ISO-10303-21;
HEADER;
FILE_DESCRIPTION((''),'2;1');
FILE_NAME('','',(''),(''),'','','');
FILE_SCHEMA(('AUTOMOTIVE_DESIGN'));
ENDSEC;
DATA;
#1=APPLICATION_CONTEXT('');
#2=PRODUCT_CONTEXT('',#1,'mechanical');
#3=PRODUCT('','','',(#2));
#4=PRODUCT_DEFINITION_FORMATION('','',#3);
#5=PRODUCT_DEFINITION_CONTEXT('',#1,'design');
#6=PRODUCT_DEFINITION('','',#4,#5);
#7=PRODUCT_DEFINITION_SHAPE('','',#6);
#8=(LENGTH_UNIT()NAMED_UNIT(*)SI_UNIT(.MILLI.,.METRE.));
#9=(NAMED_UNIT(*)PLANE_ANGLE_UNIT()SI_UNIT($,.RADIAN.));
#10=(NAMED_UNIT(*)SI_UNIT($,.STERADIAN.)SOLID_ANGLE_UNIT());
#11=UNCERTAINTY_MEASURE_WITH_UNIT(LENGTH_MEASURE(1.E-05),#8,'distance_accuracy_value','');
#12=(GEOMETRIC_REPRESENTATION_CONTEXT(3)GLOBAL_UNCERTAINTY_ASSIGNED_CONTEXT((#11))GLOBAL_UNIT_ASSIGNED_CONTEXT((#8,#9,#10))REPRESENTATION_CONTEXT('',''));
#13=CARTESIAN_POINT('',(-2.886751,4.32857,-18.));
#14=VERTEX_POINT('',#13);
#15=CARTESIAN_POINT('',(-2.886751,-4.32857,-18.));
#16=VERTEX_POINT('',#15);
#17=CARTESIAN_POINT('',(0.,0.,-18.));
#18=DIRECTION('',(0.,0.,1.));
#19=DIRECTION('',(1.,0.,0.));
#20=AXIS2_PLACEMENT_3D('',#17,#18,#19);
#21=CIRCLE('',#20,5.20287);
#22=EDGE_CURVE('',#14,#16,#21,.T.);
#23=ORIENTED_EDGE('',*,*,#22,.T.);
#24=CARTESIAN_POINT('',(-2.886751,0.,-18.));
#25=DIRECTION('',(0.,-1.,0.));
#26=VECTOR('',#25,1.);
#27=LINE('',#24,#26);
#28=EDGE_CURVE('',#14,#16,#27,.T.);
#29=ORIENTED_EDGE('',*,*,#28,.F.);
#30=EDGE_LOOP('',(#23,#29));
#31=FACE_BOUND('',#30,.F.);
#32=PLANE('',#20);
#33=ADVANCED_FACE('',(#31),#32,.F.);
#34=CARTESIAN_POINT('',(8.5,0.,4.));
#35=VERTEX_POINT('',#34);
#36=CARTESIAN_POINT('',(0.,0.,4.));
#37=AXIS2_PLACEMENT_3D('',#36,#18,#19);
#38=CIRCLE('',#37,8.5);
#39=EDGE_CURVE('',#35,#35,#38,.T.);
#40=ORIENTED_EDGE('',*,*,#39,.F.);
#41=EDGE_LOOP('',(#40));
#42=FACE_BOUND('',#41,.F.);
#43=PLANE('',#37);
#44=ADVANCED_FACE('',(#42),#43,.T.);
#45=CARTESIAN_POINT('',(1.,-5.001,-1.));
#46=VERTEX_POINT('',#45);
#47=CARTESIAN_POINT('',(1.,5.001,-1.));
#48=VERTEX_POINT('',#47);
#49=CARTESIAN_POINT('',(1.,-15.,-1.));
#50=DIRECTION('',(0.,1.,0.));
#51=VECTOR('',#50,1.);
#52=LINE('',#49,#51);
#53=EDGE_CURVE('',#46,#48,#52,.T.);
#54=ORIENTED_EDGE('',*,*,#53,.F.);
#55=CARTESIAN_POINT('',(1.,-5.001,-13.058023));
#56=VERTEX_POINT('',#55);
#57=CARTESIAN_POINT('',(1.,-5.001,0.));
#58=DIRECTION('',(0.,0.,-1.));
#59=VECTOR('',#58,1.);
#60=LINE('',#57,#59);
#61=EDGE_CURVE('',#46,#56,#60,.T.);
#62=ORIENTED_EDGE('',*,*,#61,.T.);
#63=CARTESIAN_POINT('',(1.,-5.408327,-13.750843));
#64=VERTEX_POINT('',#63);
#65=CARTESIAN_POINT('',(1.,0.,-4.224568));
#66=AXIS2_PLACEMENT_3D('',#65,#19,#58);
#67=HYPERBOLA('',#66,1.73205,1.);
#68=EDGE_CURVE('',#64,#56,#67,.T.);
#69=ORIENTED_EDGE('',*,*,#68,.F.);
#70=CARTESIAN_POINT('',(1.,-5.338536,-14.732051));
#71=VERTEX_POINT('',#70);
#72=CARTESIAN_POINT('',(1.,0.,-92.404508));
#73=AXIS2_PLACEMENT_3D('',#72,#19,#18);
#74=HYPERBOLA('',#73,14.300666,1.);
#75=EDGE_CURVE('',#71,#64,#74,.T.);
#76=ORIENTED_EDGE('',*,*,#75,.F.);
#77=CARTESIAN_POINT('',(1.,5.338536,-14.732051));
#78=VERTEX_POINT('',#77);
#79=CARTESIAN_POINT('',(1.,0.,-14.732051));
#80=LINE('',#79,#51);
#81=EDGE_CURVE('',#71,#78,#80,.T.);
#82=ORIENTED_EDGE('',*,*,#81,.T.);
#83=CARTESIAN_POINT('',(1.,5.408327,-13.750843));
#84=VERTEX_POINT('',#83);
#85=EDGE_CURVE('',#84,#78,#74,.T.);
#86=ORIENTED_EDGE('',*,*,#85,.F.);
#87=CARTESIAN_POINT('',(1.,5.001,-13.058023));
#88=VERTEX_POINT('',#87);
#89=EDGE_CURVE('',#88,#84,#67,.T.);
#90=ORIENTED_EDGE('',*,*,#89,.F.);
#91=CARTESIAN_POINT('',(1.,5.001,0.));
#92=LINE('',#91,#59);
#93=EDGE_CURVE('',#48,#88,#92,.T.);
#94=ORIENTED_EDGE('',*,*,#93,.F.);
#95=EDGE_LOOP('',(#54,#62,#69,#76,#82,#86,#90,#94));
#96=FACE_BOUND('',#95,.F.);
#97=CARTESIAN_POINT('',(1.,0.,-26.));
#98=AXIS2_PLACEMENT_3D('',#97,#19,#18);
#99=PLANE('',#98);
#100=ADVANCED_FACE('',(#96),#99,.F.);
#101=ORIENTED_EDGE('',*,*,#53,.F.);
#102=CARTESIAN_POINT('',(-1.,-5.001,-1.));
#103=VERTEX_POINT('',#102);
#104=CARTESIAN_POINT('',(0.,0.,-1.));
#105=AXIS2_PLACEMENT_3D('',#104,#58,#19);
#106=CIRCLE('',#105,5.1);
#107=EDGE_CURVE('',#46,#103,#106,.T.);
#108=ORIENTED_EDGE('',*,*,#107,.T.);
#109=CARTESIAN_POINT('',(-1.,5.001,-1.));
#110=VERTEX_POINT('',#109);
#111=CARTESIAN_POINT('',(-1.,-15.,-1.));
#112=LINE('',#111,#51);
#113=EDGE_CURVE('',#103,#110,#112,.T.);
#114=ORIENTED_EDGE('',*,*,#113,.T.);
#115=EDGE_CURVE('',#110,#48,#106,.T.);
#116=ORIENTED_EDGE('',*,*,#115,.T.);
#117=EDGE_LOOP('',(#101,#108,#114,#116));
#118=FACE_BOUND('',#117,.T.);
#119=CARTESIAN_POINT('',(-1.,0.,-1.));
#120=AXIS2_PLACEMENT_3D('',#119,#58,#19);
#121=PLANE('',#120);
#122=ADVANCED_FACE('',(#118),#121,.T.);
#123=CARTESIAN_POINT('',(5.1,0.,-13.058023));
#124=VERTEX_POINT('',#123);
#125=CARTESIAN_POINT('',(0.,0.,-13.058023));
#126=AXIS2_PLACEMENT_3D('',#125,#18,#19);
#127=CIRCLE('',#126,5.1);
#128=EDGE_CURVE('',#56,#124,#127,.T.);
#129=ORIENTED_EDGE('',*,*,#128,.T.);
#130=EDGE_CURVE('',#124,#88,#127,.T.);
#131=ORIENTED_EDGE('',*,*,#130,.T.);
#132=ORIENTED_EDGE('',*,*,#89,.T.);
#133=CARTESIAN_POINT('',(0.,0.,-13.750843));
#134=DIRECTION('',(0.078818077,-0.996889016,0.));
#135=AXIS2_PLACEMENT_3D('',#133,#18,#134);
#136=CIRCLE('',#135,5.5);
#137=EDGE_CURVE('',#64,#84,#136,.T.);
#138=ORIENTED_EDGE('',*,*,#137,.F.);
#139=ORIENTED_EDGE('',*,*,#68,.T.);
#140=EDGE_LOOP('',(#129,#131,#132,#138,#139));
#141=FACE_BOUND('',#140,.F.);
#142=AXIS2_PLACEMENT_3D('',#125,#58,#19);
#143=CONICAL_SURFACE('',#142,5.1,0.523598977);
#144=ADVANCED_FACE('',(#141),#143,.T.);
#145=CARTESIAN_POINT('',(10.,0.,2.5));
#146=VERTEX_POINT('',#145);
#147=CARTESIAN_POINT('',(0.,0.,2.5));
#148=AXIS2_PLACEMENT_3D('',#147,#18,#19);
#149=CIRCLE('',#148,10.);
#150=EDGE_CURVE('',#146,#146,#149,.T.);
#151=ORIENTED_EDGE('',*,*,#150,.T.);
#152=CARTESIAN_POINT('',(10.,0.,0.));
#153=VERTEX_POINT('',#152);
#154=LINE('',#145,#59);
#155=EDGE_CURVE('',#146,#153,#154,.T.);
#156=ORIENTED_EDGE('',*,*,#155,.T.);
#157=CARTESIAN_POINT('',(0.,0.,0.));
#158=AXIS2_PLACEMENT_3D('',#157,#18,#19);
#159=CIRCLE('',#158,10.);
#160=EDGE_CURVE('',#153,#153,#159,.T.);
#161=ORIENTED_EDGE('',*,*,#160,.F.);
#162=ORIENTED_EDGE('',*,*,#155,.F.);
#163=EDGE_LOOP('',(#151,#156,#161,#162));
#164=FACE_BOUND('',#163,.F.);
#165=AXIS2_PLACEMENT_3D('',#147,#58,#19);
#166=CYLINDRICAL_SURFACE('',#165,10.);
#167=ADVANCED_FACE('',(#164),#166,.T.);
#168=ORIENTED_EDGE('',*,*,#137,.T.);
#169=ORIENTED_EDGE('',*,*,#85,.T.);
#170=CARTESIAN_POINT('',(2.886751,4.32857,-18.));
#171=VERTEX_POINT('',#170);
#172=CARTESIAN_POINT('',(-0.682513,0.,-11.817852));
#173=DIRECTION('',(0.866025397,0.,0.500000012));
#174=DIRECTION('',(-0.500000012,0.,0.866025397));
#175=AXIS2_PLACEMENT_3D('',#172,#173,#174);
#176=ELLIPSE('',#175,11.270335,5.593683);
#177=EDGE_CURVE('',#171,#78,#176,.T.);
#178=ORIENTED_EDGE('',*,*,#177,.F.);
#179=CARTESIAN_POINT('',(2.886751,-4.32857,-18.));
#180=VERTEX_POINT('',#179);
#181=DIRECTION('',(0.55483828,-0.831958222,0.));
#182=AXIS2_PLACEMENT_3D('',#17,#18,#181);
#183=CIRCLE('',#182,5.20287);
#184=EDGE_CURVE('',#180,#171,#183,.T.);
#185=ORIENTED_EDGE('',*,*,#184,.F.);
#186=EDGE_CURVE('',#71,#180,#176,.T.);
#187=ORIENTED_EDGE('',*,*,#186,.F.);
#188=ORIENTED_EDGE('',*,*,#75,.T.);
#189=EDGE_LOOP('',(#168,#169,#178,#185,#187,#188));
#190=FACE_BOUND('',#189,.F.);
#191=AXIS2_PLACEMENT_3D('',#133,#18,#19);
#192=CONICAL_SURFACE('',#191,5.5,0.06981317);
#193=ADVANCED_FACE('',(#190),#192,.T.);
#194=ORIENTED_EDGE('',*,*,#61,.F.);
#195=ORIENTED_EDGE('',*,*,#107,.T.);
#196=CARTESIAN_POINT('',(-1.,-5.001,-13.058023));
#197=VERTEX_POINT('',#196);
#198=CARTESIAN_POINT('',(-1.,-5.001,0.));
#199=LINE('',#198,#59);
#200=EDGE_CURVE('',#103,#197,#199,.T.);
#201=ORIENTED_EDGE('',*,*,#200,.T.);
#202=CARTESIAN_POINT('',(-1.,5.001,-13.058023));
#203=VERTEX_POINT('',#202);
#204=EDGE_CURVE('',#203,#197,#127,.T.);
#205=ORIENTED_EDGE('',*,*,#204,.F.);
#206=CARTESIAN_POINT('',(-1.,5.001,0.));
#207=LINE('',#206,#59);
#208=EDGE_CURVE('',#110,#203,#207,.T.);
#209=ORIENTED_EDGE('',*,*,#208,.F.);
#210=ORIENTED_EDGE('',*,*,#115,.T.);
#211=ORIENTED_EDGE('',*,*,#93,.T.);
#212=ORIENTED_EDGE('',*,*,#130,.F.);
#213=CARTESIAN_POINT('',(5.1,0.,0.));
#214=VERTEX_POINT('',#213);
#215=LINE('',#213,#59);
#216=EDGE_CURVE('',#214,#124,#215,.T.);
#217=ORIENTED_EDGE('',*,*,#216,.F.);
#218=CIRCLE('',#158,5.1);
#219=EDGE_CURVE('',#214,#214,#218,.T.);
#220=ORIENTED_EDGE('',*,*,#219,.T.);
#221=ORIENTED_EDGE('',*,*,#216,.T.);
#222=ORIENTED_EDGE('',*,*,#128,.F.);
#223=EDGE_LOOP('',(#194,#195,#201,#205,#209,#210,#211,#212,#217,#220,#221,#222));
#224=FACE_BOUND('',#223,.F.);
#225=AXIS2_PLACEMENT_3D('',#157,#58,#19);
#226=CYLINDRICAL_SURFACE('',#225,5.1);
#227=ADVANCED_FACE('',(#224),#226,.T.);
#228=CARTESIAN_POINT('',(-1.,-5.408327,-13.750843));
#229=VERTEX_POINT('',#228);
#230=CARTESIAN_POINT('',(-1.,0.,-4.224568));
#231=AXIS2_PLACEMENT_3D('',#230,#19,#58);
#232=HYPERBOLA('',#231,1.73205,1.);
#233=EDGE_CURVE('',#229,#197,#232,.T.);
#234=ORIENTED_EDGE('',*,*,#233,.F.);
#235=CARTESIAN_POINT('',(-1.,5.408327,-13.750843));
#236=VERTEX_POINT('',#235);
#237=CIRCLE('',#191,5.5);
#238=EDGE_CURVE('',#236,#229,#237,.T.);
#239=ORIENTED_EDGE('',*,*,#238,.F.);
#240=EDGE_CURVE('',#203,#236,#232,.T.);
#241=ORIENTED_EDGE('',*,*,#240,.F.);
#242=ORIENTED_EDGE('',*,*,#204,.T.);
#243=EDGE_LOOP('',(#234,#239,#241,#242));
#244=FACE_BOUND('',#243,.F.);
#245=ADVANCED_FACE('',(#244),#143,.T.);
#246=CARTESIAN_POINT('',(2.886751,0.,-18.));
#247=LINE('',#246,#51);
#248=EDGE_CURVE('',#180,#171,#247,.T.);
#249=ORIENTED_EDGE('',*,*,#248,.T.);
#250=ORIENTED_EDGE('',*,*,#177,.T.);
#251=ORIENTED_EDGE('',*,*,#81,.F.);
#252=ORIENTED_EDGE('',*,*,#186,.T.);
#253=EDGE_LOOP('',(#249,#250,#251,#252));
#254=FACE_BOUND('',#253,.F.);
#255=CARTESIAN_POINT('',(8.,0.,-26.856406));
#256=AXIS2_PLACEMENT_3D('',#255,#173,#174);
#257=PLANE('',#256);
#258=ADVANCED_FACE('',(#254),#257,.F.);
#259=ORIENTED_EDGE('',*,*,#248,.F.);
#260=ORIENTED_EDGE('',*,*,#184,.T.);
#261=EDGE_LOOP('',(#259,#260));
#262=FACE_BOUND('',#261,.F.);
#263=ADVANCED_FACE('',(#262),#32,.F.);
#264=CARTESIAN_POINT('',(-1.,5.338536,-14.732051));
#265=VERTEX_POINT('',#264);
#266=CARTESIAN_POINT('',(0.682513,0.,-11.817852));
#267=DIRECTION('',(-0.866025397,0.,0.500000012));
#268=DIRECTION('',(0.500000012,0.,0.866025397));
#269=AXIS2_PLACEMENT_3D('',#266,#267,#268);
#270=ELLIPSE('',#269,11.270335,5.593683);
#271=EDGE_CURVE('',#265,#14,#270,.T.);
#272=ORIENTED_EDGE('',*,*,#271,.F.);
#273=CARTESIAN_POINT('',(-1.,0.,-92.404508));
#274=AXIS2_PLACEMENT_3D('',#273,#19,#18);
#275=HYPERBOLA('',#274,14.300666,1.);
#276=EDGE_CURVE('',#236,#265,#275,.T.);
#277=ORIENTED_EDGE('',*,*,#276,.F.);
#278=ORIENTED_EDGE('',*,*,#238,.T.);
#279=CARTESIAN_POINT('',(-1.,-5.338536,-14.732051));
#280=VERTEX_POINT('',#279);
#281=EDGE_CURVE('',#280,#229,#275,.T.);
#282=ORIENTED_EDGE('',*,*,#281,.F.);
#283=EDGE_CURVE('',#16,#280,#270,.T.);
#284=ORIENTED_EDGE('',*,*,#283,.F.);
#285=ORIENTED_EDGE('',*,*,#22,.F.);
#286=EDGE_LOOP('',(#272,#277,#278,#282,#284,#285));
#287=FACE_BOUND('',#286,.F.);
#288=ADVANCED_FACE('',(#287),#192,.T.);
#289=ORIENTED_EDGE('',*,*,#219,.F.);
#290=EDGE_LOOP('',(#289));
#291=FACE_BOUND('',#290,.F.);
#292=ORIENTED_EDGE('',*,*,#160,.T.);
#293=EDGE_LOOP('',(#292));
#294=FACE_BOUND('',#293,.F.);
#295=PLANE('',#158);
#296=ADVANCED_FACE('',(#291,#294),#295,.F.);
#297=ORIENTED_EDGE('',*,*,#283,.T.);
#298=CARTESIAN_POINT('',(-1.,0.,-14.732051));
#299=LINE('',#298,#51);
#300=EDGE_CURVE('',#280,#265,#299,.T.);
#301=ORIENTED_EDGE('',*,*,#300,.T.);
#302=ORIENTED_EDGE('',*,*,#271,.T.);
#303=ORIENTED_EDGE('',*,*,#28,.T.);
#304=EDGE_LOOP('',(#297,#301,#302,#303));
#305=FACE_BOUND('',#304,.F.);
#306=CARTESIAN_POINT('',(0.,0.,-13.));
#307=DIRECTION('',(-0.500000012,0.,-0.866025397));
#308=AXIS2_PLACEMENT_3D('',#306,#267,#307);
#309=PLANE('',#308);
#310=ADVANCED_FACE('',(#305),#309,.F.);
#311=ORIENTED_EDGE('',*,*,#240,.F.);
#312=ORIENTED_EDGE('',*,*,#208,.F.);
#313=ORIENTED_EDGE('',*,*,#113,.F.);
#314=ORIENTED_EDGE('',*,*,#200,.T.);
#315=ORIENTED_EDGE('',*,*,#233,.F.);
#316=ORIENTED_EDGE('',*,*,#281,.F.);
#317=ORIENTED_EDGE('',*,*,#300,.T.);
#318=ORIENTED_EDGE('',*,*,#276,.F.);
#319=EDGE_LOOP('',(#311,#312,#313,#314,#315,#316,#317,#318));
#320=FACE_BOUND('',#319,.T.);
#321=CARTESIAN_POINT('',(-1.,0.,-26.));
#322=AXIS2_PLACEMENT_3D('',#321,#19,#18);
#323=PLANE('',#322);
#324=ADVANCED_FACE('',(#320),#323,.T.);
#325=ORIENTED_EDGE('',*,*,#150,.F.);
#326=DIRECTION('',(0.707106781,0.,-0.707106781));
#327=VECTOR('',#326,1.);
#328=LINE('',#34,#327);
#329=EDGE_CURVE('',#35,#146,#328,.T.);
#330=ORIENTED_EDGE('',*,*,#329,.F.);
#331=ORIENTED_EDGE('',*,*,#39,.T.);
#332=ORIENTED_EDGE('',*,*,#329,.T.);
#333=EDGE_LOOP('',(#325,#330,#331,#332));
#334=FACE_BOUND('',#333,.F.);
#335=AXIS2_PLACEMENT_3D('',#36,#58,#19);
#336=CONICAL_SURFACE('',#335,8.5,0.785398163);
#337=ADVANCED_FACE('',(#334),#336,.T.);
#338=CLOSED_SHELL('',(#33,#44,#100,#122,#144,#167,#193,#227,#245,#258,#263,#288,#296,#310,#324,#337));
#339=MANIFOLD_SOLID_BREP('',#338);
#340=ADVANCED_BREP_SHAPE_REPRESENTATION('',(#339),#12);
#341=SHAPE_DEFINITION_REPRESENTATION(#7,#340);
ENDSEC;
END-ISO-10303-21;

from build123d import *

# Parameters (mm, degrees)
SKETCH002_W  = 2
SKETCH002_H  = 25
PAD001_DEPTH = 15
PAD_DEPTH    = 7.5


with BuildPart() as pad001:
    # Sketch002 → Pad001 (new body, symmetric)
    with BuildSketch(Plane.XZ):
        with Locations((0, -13.5)):
            Rectangle(SKETCH002_W, SKETCH002_H)
    extrude(amount=PAD001_DEPTH, both=True)


with BuildPart() as pad:
    # Sketch001 → Pad (new body, symmetric)
    with BuildSketch(Plane.XZ):
        Polygon((8, -26.856406), (0, -13), (-8, -26.856406), align=None)
    extrude(amount=PAD_DEPTH, both=True)


with BuildPart() as cut001:
    # Sketch → Revolution (revolve)
    with BuildSketch(Plane.XZ):
        Polygon((0, 4), (8.5, 4), (10, 2.5), (10, 0), (5.1, 0), (5.1, -13.058023), (5.5, -13.750843), (5.20287, -18), (0, -18), align=None)
    revolve(axis=Axis((0, 0, 0), (0, 0, 1)))

    # Cut: cut Pad
    add(pad.part, mode=Mode.SUBTRACT)

    # Cut001: cut Pad001
    add(pad001.part, mode=Mode.SUBTRACT)


solid = cut001.part
